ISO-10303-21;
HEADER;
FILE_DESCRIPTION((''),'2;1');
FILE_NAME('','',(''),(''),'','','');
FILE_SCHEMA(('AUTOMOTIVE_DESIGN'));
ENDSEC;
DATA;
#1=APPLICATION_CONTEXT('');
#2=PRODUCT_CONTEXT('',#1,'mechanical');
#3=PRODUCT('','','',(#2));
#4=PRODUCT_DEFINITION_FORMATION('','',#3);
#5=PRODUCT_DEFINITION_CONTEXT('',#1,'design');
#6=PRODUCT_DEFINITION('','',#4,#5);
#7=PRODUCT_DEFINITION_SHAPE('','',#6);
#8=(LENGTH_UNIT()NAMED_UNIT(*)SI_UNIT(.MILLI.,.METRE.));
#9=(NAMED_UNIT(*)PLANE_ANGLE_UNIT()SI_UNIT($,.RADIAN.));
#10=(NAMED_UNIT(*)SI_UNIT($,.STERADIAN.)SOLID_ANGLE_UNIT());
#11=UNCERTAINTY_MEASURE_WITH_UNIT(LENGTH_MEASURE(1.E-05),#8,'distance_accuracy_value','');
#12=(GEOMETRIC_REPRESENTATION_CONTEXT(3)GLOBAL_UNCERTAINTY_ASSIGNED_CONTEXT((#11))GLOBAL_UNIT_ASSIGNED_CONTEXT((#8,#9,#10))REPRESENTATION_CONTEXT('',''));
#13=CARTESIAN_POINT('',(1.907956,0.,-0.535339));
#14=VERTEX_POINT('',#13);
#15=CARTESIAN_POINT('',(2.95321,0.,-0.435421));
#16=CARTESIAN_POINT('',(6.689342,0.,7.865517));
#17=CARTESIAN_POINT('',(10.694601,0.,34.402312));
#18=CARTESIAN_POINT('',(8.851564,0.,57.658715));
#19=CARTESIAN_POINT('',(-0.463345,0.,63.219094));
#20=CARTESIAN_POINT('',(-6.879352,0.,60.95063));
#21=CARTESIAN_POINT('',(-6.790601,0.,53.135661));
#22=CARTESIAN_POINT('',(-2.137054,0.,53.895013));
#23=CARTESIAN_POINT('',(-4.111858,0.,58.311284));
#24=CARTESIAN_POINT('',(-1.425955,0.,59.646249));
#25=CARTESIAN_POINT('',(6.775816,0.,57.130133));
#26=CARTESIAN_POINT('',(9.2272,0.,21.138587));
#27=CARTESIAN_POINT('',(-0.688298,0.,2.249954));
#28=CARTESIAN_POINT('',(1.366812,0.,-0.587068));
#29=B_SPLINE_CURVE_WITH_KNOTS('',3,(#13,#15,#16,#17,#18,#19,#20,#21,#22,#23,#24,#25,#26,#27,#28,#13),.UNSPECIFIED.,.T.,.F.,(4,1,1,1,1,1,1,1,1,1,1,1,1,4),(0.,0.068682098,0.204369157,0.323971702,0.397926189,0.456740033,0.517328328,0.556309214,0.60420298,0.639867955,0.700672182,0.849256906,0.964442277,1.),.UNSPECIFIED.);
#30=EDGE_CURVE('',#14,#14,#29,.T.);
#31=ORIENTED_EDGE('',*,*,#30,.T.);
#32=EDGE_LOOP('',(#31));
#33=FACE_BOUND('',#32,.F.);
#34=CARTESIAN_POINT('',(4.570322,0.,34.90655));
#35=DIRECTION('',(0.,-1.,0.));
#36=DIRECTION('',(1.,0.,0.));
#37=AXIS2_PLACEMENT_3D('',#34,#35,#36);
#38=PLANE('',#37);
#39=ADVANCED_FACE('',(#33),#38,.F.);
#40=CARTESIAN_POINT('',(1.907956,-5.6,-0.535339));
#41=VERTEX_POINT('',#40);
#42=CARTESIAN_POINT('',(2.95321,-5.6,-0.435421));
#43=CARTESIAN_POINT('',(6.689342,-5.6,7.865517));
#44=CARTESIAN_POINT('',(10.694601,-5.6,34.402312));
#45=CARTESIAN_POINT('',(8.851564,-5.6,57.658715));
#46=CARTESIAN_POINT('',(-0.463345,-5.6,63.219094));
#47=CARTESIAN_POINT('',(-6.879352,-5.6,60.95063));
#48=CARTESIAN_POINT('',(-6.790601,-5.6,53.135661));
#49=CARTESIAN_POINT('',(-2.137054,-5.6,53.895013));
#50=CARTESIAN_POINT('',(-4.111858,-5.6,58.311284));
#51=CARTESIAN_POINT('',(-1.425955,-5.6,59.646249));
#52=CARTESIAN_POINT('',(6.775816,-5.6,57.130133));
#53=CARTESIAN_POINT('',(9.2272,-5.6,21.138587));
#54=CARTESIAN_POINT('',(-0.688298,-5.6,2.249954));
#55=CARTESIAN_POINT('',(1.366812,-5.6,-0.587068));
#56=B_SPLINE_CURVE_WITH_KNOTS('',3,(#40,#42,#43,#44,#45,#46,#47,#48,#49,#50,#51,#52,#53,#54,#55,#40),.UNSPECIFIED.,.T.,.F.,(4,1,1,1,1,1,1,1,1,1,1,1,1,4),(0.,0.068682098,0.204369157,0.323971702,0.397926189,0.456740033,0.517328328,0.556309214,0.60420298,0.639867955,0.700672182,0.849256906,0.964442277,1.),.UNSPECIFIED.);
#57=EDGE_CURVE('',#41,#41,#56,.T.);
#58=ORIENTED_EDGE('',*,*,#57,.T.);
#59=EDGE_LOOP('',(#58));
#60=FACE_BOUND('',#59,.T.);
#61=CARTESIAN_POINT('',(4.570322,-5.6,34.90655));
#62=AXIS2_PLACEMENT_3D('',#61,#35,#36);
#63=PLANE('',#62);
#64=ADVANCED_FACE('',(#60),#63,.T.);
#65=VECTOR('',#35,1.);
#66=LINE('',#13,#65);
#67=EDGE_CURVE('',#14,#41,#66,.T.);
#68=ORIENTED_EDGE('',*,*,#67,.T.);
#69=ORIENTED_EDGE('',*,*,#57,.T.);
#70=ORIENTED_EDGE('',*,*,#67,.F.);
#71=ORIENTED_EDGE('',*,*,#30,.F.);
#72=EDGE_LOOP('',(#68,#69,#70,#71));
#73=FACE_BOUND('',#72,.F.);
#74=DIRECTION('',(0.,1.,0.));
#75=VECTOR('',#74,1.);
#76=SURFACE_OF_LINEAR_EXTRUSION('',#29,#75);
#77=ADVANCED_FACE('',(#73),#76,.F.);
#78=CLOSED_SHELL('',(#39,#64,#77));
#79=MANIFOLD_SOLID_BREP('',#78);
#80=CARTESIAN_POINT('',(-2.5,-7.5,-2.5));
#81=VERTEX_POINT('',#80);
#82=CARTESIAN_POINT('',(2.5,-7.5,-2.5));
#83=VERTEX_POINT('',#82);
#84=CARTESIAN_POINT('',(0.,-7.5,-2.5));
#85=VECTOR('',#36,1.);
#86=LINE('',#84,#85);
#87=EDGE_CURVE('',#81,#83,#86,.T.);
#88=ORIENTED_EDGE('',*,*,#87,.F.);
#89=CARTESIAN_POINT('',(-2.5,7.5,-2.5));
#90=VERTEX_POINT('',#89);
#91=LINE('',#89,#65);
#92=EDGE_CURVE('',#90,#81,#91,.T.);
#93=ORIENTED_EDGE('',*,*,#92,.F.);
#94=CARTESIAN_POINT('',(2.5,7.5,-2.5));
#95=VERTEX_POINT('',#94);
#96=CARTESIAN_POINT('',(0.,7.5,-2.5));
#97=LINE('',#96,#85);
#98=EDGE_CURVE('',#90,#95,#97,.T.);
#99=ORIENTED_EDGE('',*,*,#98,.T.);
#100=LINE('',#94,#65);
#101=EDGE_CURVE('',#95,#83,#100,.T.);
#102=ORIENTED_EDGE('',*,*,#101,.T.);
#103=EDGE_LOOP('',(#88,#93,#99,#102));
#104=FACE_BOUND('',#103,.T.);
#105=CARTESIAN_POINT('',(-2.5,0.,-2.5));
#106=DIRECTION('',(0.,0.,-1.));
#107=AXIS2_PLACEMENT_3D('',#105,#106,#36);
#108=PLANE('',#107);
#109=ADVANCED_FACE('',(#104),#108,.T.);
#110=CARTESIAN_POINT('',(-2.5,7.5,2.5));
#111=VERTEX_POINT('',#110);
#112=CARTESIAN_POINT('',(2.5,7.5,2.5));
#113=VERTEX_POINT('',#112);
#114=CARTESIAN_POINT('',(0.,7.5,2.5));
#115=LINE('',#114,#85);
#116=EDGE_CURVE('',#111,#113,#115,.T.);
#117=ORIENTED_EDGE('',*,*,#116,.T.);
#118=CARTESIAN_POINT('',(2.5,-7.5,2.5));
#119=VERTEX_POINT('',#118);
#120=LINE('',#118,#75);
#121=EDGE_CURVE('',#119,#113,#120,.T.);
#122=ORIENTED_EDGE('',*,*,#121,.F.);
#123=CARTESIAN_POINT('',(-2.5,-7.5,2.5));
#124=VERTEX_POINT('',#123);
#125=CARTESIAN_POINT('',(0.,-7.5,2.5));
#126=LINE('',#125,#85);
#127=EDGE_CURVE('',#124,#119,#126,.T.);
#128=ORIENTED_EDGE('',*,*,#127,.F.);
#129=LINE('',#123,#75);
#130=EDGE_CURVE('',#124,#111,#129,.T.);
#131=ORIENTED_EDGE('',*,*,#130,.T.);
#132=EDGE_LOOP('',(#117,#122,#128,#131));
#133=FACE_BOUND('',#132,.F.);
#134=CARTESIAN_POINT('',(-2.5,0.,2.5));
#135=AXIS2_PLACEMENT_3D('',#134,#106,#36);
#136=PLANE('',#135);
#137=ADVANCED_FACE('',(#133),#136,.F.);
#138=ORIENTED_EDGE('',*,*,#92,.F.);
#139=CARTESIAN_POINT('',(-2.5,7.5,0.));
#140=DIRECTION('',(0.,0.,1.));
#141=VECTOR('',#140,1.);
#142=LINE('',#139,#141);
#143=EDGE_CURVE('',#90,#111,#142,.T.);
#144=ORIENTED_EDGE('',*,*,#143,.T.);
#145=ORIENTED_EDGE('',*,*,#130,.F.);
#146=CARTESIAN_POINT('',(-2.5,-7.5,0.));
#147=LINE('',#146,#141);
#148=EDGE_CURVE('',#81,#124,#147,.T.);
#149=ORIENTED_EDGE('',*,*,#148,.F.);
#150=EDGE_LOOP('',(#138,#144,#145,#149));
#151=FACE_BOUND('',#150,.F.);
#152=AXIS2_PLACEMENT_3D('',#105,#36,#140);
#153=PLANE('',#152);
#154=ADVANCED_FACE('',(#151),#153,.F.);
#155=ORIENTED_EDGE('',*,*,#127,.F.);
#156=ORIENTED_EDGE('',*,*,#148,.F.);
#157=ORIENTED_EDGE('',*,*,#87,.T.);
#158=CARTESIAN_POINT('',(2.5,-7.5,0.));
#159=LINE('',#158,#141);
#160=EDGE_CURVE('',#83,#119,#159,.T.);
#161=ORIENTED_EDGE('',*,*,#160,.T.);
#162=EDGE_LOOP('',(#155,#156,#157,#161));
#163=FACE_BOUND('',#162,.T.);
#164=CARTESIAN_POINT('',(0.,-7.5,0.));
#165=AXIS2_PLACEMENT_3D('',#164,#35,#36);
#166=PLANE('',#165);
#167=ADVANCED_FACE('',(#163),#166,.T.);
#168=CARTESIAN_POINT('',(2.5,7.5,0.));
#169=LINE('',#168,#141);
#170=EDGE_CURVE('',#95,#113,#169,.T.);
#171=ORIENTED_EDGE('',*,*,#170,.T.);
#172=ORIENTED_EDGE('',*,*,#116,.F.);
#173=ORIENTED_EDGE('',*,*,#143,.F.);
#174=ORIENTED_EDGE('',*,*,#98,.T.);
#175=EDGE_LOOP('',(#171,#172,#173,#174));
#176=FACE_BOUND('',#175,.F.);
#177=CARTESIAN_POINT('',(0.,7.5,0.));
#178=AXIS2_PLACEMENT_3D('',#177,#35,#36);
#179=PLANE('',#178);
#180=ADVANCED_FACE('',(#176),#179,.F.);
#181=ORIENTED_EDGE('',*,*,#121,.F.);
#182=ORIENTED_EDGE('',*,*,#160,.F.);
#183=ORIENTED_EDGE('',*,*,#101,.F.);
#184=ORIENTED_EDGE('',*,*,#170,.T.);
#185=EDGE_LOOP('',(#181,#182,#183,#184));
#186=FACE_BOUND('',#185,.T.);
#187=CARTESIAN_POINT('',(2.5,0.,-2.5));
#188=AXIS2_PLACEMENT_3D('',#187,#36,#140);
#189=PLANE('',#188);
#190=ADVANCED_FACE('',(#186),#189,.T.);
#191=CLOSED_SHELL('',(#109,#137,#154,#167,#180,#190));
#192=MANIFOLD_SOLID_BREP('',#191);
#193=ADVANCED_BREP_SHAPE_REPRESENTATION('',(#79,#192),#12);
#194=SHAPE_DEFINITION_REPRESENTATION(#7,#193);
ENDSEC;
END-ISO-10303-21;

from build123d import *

# Parameters (mm, degrees)
F0_W     = 5
F0_H     = 5
F1_DEPTH = 7.5
F3_DEPTH = 5.6


with BuildPart() as f1:
    # F0 (on Front) → F1 (new body, symmetric)
    with BuildSketch(Plane.XZ):
        Rectangle(F0_W, F0_H)
    extrude(amount=F1_DEPTH, both=True)


with BuildPart() as f3:
    # F2 (on Front) → F3 (new body)
    with BuildSketch(Plane.XZ):
        with BuildLine():
            add(Edge.make_bspline(
                [(1.9079558551, -0.5353394081), (2.9532101499, -0.4354213649), (6.6893423544, 7.8655165982), (10.6946005896, 34.4023116195), (8.8515640813, 57.6587151842), (-0.4633447771, 63.2190939744), (-6.8793522769, 60.9506303994), (-6.7906013784, 53.1356610025), (-2.1370539145, 53.8950128322), (-4.1118581998, 58.311283921), (-1.4259552265, 59.6462485493), (6.7758156733, 57.1301325401), (9.2271996256, 21.1385870538), (-0.6882977841, 2.2499540908), (1.3668124779, -0.5870684348), (1.9079558551, -0.5353394081)],
                knots=[0, 0, 0, 0, 0.0686820983, 0.2043691566, 0.3239717024, 0.3979261889, 0.4567400325, 0.517328328, 0.5563092137, 0.6042029803, 0.6398679546, 0.7006721819, 0.849256906, 0.9644422771, 1, 1, 1, 1], degree=3))
        make_face()
    extrude(amount=F3_DEPTH)


solid = Compound([f1.part, f3.part])
